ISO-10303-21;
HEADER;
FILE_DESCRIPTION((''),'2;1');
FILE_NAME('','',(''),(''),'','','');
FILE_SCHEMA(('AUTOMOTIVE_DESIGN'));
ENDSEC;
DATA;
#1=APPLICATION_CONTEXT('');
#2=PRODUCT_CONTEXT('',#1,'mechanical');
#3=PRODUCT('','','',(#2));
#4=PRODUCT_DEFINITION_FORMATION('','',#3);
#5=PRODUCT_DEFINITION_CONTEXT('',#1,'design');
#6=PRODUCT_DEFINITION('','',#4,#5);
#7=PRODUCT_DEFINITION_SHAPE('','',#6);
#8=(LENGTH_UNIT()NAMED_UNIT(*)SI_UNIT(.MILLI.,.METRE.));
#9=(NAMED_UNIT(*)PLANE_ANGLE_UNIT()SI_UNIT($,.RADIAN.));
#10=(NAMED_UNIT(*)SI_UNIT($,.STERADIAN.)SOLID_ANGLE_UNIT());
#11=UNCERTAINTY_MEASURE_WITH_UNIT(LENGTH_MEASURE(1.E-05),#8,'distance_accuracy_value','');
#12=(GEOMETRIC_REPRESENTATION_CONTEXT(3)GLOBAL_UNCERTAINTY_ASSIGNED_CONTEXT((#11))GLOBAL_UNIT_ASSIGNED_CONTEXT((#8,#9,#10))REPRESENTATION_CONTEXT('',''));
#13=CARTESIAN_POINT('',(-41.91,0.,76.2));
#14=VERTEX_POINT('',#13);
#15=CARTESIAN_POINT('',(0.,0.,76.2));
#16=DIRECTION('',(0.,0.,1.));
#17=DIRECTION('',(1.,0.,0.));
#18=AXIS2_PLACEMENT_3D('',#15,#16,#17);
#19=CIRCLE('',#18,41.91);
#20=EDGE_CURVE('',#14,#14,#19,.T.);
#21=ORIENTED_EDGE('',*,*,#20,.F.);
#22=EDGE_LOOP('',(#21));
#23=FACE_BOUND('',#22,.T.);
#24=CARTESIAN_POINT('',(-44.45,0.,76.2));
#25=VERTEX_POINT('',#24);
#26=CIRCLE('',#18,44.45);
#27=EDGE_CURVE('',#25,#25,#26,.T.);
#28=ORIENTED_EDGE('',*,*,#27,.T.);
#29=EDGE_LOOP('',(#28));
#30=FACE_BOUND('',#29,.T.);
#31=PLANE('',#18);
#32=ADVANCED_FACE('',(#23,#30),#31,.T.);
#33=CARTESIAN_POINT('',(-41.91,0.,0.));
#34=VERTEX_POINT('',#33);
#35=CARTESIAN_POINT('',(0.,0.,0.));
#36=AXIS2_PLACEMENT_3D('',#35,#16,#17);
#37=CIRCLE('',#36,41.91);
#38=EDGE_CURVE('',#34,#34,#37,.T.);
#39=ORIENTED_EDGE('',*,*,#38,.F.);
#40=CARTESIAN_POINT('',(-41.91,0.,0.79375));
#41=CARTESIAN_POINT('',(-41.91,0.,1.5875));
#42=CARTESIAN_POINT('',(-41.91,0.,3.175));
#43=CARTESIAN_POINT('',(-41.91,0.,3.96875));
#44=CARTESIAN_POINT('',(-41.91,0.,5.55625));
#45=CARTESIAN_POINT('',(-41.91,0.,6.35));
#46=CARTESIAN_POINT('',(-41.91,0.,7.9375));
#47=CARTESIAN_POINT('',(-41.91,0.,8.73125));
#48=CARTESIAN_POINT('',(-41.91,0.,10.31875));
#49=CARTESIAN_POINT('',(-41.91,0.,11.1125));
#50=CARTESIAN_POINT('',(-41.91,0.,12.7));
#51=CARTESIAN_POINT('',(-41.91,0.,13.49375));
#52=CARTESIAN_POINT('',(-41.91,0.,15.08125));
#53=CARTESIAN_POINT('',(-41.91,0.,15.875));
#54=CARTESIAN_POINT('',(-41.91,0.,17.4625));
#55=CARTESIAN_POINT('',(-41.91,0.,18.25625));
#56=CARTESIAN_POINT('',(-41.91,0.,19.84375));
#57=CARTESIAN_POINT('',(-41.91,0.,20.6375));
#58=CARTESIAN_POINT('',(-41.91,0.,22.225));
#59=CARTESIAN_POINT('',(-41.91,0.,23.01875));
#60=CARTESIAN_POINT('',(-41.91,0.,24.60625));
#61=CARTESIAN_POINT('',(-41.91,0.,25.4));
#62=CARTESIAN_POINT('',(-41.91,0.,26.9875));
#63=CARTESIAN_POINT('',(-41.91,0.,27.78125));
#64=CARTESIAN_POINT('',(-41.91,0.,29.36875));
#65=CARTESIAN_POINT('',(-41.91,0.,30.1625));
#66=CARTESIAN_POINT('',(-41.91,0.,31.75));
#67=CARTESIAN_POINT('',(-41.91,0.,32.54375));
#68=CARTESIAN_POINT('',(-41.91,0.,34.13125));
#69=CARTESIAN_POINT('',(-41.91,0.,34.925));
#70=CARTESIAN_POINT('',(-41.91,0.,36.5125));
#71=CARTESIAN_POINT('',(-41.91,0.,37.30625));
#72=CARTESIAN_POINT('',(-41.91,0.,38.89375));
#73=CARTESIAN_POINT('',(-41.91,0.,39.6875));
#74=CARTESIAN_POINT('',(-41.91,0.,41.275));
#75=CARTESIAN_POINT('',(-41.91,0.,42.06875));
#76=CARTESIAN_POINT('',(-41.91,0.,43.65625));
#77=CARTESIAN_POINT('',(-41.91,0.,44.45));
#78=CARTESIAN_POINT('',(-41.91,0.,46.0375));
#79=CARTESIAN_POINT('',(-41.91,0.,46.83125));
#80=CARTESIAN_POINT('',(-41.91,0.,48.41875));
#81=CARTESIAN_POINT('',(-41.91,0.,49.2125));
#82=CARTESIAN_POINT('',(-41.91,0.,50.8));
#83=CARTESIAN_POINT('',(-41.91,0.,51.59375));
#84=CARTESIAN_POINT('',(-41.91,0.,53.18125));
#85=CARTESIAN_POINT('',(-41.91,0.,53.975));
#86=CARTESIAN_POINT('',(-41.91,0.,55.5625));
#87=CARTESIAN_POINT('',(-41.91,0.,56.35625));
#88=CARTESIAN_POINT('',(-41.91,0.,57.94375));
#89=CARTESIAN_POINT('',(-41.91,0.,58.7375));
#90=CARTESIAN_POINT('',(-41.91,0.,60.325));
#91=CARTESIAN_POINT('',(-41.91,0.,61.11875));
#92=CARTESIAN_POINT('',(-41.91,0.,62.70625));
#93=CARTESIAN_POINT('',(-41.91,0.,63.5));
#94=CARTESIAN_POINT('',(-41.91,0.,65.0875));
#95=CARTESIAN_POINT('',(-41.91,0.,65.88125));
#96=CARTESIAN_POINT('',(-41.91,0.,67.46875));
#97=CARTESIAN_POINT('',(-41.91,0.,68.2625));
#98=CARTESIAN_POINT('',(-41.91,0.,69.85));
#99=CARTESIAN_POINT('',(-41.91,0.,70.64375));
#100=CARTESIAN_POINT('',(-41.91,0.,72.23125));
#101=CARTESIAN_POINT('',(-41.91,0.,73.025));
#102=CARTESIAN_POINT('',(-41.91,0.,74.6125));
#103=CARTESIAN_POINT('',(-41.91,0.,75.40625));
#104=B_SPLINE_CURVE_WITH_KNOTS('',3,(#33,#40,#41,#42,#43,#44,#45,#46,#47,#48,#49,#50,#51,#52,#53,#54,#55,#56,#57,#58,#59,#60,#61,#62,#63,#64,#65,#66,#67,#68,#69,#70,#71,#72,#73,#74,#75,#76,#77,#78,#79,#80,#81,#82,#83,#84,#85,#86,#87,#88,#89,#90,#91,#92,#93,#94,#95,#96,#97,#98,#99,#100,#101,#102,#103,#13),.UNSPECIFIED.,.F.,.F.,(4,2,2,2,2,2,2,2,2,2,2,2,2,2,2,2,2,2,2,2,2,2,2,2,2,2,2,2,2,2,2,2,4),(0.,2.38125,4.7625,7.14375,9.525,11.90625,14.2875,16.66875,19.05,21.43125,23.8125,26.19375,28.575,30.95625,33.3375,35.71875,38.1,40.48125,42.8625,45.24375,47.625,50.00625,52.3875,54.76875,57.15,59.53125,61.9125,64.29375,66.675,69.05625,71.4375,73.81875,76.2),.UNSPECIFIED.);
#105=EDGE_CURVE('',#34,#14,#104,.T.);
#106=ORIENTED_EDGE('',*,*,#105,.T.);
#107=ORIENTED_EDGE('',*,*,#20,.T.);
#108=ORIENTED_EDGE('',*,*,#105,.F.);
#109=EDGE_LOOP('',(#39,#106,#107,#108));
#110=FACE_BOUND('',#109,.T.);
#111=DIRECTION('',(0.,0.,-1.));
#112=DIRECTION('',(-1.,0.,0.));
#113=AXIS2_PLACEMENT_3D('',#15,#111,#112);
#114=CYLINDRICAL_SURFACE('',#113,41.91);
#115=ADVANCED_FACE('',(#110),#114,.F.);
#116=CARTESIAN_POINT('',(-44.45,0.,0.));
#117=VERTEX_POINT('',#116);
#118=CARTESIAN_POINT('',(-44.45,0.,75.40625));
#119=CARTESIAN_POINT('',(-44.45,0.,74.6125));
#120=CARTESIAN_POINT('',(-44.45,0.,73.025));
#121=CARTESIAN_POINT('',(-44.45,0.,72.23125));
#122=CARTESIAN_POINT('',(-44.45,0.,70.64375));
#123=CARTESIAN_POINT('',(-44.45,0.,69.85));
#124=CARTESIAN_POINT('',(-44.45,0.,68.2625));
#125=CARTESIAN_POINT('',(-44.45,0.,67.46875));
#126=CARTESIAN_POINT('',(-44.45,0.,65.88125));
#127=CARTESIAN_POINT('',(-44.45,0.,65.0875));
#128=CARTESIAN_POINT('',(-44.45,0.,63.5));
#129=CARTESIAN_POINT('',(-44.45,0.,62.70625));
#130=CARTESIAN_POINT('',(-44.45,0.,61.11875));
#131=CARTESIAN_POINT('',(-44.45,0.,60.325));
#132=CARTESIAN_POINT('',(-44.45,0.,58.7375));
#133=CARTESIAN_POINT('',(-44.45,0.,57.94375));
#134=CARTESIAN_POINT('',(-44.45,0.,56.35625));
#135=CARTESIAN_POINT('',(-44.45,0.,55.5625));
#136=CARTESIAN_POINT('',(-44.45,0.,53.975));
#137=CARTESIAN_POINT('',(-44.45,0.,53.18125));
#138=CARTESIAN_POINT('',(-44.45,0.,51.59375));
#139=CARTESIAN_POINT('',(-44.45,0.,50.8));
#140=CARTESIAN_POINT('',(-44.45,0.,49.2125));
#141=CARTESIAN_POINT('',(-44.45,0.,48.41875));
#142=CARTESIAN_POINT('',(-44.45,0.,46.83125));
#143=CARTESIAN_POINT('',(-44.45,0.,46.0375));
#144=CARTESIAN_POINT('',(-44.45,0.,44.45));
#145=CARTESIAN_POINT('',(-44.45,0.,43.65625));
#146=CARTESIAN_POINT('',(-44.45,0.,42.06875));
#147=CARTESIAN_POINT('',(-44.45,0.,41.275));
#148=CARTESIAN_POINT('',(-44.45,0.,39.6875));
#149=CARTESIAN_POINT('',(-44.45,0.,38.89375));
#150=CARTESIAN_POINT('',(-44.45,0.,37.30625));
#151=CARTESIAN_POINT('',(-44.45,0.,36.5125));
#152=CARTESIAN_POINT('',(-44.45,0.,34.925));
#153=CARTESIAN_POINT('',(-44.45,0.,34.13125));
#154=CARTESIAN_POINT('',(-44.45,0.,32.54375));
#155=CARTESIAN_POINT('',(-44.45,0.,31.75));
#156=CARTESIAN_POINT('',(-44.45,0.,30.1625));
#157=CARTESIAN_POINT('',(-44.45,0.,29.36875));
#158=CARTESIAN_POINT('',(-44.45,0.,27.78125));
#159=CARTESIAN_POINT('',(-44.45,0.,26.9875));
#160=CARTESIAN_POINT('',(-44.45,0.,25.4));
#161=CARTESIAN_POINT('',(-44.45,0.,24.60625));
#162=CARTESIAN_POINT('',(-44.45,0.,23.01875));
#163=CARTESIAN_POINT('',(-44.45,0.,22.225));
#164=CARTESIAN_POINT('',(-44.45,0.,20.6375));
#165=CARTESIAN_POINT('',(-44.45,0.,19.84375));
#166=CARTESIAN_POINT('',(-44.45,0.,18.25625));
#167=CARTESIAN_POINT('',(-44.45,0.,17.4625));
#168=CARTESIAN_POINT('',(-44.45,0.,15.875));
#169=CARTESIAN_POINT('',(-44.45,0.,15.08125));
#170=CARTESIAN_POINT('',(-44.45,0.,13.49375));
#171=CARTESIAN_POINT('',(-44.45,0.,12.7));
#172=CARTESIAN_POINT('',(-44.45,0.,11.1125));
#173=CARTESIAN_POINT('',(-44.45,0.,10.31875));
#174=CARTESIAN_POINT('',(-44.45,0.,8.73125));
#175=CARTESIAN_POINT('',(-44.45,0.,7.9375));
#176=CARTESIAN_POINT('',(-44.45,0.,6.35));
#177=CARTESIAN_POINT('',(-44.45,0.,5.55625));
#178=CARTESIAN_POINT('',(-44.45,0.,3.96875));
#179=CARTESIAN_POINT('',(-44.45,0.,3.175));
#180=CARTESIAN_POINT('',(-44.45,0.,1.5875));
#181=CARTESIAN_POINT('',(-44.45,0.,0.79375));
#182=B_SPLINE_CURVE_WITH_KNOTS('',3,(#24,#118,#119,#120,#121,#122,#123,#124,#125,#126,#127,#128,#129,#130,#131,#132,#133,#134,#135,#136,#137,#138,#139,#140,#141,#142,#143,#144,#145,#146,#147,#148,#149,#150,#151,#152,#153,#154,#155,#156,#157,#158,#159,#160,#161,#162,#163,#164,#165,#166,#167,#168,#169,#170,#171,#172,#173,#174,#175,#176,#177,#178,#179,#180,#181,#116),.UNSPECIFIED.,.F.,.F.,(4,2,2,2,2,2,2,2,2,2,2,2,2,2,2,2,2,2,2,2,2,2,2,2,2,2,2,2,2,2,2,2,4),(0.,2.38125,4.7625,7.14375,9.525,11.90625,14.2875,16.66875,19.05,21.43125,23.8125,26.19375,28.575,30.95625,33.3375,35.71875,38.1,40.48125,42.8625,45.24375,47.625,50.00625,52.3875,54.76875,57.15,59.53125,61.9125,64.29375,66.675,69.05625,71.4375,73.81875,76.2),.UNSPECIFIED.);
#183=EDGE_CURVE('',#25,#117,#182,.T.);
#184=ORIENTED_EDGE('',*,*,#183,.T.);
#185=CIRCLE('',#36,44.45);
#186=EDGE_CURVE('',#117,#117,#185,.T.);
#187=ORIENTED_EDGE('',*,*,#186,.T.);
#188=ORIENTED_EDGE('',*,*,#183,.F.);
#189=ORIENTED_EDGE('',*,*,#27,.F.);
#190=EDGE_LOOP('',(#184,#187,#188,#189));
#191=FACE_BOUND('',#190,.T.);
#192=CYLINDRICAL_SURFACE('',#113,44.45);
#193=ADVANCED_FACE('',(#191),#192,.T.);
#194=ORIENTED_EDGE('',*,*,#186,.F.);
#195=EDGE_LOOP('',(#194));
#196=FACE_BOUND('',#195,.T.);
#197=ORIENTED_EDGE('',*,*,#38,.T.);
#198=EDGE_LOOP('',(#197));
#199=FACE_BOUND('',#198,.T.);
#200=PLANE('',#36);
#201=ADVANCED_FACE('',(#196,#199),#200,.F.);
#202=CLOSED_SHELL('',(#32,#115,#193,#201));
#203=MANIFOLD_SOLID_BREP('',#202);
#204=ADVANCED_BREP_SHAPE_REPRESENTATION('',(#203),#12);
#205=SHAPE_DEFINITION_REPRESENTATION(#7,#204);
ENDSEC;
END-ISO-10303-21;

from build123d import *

# Parameters (mm, degrees)
SKETCH2_R           = 44.45
BOSS_EXTRUDE1_DEPTH = 76.2
SHELL1_T            = -2.54
SKETCH3_R           = 41.91
CUT_EXTRUDE1_DEPTH  = 76.2


with BuildPart() as part:
    # Sketch2 → Boss-Extrude1 (new body)
    with BuildSketch(Plane.XY):
        with Locations(Location((0, 0, 0), (0, 0, 180))):
            Circle(SKETCH2_R)
    extrude(amount=BOSS_EXTRUDE1_DEPTH)

    # Shell1
    shell1_openings = [part.faces().sort_by_distance(p)[0] for p in [
        (0, 0, 0),
    ]]
    offset(amount=SHELL1_T, openings=shell1_openings, kind=Kind.INTERSECTION)

    # Sketch3 → Cut-Extrude1 (cut)
    with BuildSketch(Plane(origin=(0, 0, 73.66), x_dir=(-1, 0, 0), z_dir=(0, 0, -1))):
        Circle(SKETCH3_R)
    extrude(amount=-CUT_EXTRUDE1_DEPTH, mode=Mode.SUBTRACT)


solid = part.part
